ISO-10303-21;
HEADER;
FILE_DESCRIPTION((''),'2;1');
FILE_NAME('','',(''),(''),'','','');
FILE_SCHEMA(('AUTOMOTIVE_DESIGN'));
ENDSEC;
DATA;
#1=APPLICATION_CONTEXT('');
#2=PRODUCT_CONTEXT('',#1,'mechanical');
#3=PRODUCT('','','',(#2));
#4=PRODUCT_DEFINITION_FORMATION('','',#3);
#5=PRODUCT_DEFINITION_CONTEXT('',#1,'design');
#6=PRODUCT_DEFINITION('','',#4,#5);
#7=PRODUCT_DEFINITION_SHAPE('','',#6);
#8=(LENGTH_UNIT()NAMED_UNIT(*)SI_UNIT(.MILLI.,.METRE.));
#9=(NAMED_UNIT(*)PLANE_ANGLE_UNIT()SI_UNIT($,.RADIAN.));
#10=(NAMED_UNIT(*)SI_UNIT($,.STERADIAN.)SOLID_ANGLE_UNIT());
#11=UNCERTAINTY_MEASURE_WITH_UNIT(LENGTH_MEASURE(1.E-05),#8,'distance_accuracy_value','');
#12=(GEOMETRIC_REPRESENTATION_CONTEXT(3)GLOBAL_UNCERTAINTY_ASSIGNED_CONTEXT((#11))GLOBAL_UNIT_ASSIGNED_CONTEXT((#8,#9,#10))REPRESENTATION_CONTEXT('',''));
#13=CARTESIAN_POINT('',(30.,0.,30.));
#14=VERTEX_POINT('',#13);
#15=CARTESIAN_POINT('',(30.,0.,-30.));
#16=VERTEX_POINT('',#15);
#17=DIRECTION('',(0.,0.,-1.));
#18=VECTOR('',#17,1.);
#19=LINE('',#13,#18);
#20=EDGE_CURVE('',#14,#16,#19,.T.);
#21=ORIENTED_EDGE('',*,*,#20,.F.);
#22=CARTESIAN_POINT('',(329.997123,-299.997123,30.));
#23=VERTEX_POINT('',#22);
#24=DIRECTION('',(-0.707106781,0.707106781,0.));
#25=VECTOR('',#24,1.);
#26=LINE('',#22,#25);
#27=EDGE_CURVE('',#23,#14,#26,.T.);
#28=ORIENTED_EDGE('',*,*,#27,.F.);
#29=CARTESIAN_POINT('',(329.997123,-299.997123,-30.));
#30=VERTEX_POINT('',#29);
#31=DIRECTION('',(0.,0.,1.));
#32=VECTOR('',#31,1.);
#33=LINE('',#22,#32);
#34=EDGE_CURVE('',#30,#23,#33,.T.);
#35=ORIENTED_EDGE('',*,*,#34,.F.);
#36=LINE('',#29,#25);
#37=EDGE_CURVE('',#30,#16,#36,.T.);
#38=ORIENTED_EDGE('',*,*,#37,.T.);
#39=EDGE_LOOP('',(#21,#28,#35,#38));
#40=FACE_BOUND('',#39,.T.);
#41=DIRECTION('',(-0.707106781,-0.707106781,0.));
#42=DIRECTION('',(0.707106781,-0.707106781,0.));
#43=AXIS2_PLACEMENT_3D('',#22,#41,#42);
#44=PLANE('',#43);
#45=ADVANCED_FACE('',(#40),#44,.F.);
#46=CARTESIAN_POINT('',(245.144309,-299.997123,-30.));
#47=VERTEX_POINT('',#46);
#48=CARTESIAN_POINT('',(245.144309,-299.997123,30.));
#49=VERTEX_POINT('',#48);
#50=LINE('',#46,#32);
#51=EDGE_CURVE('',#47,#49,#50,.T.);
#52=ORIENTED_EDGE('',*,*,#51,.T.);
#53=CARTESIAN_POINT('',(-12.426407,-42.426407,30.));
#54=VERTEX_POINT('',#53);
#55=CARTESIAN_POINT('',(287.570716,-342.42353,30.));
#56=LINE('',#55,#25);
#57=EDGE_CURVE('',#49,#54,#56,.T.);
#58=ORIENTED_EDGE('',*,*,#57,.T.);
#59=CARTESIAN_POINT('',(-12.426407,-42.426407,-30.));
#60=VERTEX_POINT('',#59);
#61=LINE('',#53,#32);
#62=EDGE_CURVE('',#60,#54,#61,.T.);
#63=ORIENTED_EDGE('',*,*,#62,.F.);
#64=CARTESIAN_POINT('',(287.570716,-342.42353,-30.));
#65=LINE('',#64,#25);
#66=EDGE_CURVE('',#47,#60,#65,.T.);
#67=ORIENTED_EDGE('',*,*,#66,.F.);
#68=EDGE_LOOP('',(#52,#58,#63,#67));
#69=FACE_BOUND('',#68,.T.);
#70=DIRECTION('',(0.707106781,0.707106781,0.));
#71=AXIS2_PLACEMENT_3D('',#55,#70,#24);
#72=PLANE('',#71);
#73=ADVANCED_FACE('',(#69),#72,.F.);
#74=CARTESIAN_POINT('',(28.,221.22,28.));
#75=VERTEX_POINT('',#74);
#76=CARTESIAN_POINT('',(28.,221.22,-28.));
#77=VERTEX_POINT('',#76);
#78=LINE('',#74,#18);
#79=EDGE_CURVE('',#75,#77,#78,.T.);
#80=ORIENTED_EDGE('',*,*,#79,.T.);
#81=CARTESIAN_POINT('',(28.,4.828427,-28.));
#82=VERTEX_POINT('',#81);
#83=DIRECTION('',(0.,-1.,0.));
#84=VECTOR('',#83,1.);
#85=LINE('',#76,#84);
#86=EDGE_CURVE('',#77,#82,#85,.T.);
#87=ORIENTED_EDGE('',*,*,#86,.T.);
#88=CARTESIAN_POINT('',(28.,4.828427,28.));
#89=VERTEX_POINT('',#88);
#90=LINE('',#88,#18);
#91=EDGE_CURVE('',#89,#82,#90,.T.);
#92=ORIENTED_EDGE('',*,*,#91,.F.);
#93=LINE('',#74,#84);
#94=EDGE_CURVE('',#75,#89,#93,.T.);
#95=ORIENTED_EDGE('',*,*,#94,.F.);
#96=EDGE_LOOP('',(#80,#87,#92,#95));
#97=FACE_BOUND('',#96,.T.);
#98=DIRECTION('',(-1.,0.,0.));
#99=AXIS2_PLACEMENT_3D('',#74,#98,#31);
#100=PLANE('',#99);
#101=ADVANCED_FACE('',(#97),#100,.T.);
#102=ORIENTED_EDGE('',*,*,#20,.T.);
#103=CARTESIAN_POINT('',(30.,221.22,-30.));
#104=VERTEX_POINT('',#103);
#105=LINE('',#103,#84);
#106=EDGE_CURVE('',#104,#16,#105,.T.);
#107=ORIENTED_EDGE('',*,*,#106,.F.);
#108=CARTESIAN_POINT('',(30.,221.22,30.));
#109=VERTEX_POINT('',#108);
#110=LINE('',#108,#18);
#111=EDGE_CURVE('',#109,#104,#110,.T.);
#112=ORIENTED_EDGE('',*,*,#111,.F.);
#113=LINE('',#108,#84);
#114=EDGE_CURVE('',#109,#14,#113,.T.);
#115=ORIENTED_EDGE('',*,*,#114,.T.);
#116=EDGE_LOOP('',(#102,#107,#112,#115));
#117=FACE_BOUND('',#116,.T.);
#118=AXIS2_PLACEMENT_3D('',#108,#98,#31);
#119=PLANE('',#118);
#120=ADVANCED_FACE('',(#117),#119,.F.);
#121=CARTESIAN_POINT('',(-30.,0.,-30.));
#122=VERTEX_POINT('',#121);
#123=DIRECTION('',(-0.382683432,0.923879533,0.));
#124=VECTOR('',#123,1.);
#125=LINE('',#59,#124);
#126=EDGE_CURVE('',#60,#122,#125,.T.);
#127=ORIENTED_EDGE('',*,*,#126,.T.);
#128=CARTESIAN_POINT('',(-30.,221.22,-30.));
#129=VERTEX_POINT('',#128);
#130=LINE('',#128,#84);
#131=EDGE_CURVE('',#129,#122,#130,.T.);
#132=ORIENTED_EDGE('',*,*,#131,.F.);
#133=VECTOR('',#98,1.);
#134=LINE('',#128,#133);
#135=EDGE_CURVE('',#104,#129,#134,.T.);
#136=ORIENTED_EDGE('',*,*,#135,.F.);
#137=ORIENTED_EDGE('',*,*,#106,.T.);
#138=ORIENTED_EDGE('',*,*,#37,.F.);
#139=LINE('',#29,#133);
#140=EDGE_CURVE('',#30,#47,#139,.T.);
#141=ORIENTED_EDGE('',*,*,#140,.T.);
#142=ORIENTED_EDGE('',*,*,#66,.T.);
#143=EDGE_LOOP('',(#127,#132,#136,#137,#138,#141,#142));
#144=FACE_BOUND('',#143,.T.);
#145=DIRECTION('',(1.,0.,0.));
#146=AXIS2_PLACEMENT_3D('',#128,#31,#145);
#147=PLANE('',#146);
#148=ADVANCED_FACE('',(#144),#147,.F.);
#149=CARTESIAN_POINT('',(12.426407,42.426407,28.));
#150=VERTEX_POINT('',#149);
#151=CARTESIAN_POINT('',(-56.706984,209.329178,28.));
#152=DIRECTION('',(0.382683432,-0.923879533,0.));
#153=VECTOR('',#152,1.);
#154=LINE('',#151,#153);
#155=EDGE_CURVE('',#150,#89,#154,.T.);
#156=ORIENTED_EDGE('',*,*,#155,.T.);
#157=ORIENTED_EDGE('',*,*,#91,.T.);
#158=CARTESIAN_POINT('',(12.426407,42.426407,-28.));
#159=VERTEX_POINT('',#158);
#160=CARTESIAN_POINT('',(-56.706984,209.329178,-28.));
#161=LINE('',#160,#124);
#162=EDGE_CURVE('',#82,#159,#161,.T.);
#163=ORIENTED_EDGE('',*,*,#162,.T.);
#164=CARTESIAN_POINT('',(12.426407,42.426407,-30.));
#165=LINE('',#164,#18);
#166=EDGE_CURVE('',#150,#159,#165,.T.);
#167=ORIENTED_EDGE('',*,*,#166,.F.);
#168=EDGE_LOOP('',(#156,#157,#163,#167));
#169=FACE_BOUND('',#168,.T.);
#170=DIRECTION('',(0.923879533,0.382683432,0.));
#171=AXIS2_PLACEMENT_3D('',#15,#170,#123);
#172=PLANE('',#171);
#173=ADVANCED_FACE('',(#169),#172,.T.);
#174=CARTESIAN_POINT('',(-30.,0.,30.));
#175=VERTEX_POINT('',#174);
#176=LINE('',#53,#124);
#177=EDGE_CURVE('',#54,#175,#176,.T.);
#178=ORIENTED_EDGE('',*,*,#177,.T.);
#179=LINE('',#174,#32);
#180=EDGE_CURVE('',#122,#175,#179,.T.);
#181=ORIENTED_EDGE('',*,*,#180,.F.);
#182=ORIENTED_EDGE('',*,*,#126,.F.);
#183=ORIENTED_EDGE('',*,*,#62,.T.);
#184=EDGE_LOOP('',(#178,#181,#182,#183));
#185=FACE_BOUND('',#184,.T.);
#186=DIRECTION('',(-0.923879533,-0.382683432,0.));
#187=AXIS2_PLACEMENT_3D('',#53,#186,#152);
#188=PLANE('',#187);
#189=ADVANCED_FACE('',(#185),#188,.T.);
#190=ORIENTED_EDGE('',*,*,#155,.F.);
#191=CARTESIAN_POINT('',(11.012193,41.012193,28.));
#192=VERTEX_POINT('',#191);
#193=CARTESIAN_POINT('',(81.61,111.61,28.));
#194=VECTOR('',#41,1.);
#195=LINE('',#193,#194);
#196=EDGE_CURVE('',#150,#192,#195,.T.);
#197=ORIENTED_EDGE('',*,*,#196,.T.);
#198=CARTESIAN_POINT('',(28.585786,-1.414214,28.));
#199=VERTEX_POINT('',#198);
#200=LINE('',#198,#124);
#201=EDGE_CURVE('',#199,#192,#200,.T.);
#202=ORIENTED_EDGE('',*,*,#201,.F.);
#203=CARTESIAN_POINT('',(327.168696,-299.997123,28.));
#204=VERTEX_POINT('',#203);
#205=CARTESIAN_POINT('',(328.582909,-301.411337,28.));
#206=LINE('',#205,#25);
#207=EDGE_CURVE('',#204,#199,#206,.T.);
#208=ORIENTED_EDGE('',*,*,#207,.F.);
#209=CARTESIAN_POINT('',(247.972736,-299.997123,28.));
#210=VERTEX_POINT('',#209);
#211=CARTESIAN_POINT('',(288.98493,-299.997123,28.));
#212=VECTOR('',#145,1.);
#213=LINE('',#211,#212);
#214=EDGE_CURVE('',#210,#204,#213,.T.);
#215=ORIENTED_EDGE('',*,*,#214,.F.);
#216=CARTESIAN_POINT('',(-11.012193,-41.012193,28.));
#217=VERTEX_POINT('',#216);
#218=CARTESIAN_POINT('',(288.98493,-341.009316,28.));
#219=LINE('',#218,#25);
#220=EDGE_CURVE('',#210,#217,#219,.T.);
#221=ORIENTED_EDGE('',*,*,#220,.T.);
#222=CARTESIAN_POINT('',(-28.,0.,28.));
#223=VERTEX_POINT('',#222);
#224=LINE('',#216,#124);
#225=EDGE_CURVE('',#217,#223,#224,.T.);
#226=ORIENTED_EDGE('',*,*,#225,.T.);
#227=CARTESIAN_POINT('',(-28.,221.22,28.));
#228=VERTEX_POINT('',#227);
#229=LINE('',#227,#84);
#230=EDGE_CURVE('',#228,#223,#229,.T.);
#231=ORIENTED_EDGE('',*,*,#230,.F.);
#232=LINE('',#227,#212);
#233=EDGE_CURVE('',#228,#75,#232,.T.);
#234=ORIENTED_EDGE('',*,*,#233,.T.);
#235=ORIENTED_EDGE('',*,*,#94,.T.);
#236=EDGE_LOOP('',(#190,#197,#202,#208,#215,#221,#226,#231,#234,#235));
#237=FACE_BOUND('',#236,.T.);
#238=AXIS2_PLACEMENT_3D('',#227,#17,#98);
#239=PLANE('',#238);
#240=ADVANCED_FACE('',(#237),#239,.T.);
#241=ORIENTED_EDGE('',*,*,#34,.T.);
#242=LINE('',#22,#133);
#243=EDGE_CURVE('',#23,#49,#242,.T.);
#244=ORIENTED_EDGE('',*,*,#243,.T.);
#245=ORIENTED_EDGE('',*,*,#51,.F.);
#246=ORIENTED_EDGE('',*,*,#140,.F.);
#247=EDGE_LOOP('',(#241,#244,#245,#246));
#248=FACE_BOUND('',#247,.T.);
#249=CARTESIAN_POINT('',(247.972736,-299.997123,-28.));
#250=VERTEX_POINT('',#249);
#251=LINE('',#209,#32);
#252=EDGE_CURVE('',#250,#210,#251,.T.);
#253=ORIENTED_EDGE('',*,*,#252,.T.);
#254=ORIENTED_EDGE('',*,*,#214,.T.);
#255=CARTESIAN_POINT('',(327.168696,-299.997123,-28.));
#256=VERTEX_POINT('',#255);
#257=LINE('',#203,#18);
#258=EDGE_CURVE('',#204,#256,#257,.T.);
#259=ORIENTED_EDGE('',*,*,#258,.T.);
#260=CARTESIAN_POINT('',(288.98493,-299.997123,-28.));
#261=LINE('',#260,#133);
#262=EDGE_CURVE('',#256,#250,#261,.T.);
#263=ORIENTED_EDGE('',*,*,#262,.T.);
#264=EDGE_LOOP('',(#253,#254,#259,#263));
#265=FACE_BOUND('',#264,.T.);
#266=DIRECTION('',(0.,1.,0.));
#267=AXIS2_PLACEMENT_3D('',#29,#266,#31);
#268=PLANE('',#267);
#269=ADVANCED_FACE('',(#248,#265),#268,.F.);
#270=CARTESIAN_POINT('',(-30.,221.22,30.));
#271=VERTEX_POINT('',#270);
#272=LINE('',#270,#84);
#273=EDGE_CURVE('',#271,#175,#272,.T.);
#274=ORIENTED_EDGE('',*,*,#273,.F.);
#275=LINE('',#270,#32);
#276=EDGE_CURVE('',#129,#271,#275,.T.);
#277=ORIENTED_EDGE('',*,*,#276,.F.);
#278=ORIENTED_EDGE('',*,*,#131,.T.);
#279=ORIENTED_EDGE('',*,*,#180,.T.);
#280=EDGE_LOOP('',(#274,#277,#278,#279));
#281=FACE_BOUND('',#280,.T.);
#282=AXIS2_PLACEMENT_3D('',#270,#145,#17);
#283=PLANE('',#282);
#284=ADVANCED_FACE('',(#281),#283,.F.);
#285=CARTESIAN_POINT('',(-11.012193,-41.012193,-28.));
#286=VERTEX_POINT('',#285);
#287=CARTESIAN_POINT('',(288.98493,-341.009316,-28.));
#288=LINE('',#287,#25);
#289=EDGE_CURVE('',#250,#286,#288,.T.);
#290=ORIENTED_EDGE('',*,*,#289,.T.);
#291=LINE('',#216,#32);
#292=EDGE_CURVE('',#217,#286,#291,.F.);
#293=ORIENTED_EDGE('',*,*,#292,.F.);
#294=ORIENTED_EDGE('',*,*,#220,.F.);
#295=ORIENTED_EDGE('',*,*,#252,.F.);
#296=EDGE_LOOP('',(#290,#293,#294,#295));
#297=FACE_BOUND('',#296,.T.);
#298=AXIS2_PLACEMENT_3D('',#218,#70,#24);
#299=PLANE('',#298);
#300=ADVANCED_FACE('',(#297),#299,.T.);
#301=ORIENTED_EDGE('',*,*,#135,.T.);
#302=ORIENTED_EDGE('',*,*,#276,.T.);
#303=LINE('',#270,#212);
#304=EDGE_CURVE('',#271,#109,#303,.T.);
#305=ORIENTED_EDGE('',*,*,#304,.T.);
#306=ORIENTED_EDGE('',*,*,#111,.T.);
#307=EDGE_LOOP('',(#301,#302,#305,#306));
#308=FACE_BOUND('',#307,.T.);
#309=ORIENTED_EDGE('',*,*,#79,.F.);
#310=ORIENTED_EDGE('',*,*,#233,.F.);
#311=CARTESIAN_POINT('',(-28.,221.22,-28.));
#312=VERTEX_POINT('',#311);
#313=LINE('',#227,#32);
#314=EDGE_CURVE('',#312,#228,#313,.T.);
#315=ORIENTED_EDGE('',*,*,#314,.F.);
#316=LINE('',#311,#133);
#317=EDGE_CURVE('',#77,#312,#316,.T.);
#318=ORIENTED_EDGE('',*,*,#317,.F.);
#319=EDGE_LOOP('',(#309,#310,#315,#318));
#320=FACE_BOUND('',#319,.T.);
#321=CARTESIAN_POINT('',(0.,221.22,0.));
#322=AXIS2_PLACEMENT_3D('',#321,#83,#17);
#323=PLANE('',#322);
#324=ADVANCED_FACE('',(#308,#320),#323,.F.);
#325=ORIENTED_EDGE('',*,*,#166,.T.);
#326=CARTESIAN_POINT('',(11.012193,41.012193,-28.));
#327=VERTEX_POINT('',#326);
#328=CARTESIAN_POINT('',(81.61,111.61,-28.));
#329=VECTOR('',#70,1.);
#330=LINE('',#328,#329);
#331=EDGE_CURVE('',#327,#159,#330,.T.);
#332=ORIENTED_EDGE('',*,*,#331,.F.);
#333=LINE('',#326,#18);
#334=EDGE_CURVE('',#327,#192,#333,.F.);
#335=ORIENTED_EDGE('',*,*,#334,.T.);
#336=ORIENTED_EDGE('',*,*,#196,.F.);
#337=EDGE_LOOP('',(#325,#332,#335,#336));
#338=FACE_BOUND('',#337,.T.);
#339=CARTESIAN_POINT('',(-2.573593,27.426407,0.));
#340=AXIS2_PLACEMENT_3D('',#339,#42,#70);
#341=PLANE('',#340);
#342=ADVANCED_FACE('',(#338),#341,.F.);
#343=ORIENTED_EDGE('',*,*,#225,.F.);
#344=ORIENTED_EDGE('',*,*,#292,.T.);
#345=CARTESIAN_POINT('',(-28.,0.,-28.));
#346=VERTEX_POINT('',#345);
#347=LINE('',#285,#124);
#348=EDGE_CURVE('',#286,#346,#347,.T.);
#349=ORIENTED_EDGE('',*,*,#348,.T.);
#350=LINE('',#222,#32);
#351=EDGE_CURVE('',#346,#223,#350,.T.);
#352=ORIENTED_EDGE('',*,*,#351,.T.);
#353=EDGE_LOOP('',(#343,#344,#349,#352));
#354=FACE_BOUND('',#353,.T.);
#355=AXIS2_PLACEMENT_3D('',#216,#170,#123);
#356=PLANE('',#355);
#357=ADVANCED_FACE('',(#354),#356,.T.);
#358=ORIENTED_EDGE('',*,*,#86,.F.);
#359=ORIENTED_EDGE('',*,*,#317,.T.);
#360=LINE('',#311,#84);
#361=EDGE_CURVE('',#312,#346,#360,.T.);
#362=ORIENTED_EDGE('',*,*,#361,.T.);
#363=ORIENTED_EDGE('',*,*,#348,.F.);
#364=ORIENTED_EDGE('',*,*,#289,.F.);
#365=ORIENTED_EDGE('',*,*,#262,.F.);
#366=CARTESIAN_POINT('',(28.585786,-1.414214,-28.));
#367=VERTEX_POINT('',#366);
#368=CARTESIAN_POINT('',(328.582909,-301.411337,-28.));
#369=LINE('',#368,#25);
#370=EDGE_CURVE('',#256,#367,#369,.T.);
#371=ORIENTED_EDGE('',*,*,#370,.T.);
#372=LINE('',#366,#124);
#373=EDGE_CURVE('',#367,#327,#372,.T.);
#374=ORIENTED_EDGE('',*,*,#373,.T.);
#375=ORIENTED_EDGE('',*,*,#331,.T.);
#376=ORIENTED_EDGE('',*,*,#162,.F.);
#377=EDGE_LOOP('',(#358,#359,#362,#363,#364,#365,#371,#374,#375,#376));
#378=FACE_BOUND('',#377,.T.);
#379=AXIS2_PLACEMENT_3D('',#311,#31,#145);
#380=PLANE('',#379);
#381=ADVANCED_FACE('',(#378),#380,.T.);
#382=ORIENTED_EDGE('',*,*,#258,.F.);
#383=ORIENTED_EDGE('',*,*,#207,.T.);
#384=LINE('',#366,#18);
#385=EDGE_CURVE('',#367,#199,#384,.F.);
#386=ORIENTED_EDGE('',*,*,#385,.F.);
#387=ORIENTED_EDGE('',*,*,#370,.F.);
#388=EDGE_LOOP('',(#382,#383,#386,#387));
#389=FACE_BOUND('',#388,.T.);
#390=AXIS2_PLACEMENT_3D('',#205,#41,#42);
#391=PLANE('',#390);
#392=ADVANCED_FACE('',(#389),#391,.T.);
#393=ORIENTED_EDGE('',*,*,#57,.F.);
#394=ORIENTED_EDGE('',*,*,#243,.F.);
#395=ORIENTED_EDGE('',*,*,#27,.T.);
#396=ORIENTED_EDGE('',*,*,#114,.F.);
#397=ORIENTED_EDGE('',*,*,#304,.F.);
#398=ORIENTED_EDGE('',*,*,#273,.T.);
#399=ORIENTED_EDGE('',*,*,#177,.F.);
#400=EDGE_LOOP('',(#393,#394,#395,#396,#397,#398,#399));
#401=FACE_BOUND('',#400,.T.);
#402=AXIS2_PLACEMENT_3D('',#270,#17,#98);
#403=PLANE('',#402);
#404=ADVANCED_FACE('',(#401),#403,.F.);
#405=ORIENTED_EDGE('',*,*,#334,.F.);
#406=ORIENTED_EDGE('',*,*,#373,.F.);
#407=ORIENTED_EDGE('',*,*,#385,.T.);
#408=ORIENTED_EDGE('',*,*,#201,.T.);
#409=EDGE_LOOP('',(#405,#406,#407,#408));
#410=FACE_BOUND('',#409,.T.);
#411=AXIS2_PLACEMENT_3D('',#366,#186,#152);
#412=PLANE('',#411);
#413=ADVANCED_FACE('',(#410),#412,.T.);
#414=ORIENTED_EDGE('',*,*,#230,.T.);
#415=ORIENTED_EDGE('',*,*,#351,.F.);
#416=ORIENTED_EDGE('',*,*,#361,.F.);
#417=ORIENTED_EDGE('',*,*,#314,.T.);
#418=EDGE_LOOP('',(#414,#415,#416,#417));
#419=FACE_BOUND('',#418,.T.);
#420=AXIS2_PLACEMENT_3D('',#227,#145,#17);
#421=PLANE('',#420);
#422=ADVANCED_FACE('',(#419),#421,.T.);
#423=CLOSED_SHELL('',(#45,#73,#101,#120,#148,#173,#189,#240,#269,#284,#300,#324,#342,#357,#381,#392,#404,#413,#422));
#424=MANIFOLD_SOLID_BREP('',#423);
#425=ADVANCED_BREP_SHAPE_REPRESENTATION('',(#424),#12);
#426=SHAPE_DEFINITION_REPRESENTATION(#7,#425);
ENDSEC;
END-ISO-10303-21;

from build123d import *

# Parameters (mm, degrees)
CROQUIS1_W              = 60
CROQUIS1_H              = 60
CROQUIS1_W_2            = 56
CROQUIS1_H_2            = 56
SALIENTE_EXTRUIR1_DEPTH = 221.22
CROQUIS3_W              = 60
CROQUIS3_H              = 60
CROQUIS3_W_2            = 56
CROQUIS3_H_2            = 56
SALIENTE_EXTRUIR2_DEPTH = 424.26
CORTAR_EXTRUIR1_DEPTH   = 61
CROQUIS14_W             = 60
CROQUIS14_H             = 60
CROQUIS14_W_2           = 56
CROQUIS14_H_2           = 56


with BuildPart() as part:
    # Croquis1 → Saliente-Extruir1 (new body)
    with BuildSketch(Plane(origin=(0, 0, 0), x_dir=(1, 0, 0), z_dir=(0, 1, 0))):
        Rectangle(CROQUIS1_W, CROQUIS1_H)
        Rectangle(CROQUIS1_W_2, CROQUIS1_H_2, mode=Mode.SUBTRACT)
    extrude(amount=SALIENTE_EXTRUIR1_DEPTH)



with BuildPart() as body_2:
    # Croquis3 → Saliente-Extruir2 (new body)
    with BuildSketch(Plane(origin=(15, -15, 0), x_dir=(0, 0, -1), z_dir=(0.707106781, -0.707106781, 0))):
        with Locations((0, -8.786796564)):
            Rectangle(CROQUIS3_W, CROQUIS3_H)
        with Locations((0, -8.786796564)):
            Rectangle(CROQUIS3_W_2, CROQUIS3_H_2, mode=Mode.SUBTRACT)
    extrude(amount=SALIENTE_EXTRUIR2_DEPTH)

    # Croquis10 → Cortar-Extruir1 (cut, through all)
    with BuildSketch(Plane.XY.offset(30)):
        Polygon((287.570716115, -342.423529857), (329.997122986, -299.997122986), (245.144309244, -299.997122986), align=None)
    extrude(amount=-CORTAR_EXTRUIR1_DEPTH, mode=Mode.SUBTRACT)


with BuildPart() as part_1:
    add(part.part)

    add(body_2.part)  # Barrer2 merges body 2
    # Barrer2: sweep along a path in Croquis13
    with BuildLine(Plane.XY.offset(30)) as barrer2_path:
        Line((-12.426406871, -42.426406871), (-30, 0))
    # Croquis14 → Barrer2 (sweep)
    with BuildSketch(Plane(origin=(15, -15, 0), x_dir=(0, 0, 1), z_dir=(-0.707106781, 0.707106781, 0))):
        with Locations((0, -8.786796564)):
            Rectangle(CROQUIS14_W, CROQUIS14_H)
        with Locations((0, -8.786796564)):
            Rectangle(CROQUIS14_W_2, CROQUIS14_H_2, mode=Mode.SUBTRACT)
    sweep(path=barrer2_path.line)


solid = part_1.part
